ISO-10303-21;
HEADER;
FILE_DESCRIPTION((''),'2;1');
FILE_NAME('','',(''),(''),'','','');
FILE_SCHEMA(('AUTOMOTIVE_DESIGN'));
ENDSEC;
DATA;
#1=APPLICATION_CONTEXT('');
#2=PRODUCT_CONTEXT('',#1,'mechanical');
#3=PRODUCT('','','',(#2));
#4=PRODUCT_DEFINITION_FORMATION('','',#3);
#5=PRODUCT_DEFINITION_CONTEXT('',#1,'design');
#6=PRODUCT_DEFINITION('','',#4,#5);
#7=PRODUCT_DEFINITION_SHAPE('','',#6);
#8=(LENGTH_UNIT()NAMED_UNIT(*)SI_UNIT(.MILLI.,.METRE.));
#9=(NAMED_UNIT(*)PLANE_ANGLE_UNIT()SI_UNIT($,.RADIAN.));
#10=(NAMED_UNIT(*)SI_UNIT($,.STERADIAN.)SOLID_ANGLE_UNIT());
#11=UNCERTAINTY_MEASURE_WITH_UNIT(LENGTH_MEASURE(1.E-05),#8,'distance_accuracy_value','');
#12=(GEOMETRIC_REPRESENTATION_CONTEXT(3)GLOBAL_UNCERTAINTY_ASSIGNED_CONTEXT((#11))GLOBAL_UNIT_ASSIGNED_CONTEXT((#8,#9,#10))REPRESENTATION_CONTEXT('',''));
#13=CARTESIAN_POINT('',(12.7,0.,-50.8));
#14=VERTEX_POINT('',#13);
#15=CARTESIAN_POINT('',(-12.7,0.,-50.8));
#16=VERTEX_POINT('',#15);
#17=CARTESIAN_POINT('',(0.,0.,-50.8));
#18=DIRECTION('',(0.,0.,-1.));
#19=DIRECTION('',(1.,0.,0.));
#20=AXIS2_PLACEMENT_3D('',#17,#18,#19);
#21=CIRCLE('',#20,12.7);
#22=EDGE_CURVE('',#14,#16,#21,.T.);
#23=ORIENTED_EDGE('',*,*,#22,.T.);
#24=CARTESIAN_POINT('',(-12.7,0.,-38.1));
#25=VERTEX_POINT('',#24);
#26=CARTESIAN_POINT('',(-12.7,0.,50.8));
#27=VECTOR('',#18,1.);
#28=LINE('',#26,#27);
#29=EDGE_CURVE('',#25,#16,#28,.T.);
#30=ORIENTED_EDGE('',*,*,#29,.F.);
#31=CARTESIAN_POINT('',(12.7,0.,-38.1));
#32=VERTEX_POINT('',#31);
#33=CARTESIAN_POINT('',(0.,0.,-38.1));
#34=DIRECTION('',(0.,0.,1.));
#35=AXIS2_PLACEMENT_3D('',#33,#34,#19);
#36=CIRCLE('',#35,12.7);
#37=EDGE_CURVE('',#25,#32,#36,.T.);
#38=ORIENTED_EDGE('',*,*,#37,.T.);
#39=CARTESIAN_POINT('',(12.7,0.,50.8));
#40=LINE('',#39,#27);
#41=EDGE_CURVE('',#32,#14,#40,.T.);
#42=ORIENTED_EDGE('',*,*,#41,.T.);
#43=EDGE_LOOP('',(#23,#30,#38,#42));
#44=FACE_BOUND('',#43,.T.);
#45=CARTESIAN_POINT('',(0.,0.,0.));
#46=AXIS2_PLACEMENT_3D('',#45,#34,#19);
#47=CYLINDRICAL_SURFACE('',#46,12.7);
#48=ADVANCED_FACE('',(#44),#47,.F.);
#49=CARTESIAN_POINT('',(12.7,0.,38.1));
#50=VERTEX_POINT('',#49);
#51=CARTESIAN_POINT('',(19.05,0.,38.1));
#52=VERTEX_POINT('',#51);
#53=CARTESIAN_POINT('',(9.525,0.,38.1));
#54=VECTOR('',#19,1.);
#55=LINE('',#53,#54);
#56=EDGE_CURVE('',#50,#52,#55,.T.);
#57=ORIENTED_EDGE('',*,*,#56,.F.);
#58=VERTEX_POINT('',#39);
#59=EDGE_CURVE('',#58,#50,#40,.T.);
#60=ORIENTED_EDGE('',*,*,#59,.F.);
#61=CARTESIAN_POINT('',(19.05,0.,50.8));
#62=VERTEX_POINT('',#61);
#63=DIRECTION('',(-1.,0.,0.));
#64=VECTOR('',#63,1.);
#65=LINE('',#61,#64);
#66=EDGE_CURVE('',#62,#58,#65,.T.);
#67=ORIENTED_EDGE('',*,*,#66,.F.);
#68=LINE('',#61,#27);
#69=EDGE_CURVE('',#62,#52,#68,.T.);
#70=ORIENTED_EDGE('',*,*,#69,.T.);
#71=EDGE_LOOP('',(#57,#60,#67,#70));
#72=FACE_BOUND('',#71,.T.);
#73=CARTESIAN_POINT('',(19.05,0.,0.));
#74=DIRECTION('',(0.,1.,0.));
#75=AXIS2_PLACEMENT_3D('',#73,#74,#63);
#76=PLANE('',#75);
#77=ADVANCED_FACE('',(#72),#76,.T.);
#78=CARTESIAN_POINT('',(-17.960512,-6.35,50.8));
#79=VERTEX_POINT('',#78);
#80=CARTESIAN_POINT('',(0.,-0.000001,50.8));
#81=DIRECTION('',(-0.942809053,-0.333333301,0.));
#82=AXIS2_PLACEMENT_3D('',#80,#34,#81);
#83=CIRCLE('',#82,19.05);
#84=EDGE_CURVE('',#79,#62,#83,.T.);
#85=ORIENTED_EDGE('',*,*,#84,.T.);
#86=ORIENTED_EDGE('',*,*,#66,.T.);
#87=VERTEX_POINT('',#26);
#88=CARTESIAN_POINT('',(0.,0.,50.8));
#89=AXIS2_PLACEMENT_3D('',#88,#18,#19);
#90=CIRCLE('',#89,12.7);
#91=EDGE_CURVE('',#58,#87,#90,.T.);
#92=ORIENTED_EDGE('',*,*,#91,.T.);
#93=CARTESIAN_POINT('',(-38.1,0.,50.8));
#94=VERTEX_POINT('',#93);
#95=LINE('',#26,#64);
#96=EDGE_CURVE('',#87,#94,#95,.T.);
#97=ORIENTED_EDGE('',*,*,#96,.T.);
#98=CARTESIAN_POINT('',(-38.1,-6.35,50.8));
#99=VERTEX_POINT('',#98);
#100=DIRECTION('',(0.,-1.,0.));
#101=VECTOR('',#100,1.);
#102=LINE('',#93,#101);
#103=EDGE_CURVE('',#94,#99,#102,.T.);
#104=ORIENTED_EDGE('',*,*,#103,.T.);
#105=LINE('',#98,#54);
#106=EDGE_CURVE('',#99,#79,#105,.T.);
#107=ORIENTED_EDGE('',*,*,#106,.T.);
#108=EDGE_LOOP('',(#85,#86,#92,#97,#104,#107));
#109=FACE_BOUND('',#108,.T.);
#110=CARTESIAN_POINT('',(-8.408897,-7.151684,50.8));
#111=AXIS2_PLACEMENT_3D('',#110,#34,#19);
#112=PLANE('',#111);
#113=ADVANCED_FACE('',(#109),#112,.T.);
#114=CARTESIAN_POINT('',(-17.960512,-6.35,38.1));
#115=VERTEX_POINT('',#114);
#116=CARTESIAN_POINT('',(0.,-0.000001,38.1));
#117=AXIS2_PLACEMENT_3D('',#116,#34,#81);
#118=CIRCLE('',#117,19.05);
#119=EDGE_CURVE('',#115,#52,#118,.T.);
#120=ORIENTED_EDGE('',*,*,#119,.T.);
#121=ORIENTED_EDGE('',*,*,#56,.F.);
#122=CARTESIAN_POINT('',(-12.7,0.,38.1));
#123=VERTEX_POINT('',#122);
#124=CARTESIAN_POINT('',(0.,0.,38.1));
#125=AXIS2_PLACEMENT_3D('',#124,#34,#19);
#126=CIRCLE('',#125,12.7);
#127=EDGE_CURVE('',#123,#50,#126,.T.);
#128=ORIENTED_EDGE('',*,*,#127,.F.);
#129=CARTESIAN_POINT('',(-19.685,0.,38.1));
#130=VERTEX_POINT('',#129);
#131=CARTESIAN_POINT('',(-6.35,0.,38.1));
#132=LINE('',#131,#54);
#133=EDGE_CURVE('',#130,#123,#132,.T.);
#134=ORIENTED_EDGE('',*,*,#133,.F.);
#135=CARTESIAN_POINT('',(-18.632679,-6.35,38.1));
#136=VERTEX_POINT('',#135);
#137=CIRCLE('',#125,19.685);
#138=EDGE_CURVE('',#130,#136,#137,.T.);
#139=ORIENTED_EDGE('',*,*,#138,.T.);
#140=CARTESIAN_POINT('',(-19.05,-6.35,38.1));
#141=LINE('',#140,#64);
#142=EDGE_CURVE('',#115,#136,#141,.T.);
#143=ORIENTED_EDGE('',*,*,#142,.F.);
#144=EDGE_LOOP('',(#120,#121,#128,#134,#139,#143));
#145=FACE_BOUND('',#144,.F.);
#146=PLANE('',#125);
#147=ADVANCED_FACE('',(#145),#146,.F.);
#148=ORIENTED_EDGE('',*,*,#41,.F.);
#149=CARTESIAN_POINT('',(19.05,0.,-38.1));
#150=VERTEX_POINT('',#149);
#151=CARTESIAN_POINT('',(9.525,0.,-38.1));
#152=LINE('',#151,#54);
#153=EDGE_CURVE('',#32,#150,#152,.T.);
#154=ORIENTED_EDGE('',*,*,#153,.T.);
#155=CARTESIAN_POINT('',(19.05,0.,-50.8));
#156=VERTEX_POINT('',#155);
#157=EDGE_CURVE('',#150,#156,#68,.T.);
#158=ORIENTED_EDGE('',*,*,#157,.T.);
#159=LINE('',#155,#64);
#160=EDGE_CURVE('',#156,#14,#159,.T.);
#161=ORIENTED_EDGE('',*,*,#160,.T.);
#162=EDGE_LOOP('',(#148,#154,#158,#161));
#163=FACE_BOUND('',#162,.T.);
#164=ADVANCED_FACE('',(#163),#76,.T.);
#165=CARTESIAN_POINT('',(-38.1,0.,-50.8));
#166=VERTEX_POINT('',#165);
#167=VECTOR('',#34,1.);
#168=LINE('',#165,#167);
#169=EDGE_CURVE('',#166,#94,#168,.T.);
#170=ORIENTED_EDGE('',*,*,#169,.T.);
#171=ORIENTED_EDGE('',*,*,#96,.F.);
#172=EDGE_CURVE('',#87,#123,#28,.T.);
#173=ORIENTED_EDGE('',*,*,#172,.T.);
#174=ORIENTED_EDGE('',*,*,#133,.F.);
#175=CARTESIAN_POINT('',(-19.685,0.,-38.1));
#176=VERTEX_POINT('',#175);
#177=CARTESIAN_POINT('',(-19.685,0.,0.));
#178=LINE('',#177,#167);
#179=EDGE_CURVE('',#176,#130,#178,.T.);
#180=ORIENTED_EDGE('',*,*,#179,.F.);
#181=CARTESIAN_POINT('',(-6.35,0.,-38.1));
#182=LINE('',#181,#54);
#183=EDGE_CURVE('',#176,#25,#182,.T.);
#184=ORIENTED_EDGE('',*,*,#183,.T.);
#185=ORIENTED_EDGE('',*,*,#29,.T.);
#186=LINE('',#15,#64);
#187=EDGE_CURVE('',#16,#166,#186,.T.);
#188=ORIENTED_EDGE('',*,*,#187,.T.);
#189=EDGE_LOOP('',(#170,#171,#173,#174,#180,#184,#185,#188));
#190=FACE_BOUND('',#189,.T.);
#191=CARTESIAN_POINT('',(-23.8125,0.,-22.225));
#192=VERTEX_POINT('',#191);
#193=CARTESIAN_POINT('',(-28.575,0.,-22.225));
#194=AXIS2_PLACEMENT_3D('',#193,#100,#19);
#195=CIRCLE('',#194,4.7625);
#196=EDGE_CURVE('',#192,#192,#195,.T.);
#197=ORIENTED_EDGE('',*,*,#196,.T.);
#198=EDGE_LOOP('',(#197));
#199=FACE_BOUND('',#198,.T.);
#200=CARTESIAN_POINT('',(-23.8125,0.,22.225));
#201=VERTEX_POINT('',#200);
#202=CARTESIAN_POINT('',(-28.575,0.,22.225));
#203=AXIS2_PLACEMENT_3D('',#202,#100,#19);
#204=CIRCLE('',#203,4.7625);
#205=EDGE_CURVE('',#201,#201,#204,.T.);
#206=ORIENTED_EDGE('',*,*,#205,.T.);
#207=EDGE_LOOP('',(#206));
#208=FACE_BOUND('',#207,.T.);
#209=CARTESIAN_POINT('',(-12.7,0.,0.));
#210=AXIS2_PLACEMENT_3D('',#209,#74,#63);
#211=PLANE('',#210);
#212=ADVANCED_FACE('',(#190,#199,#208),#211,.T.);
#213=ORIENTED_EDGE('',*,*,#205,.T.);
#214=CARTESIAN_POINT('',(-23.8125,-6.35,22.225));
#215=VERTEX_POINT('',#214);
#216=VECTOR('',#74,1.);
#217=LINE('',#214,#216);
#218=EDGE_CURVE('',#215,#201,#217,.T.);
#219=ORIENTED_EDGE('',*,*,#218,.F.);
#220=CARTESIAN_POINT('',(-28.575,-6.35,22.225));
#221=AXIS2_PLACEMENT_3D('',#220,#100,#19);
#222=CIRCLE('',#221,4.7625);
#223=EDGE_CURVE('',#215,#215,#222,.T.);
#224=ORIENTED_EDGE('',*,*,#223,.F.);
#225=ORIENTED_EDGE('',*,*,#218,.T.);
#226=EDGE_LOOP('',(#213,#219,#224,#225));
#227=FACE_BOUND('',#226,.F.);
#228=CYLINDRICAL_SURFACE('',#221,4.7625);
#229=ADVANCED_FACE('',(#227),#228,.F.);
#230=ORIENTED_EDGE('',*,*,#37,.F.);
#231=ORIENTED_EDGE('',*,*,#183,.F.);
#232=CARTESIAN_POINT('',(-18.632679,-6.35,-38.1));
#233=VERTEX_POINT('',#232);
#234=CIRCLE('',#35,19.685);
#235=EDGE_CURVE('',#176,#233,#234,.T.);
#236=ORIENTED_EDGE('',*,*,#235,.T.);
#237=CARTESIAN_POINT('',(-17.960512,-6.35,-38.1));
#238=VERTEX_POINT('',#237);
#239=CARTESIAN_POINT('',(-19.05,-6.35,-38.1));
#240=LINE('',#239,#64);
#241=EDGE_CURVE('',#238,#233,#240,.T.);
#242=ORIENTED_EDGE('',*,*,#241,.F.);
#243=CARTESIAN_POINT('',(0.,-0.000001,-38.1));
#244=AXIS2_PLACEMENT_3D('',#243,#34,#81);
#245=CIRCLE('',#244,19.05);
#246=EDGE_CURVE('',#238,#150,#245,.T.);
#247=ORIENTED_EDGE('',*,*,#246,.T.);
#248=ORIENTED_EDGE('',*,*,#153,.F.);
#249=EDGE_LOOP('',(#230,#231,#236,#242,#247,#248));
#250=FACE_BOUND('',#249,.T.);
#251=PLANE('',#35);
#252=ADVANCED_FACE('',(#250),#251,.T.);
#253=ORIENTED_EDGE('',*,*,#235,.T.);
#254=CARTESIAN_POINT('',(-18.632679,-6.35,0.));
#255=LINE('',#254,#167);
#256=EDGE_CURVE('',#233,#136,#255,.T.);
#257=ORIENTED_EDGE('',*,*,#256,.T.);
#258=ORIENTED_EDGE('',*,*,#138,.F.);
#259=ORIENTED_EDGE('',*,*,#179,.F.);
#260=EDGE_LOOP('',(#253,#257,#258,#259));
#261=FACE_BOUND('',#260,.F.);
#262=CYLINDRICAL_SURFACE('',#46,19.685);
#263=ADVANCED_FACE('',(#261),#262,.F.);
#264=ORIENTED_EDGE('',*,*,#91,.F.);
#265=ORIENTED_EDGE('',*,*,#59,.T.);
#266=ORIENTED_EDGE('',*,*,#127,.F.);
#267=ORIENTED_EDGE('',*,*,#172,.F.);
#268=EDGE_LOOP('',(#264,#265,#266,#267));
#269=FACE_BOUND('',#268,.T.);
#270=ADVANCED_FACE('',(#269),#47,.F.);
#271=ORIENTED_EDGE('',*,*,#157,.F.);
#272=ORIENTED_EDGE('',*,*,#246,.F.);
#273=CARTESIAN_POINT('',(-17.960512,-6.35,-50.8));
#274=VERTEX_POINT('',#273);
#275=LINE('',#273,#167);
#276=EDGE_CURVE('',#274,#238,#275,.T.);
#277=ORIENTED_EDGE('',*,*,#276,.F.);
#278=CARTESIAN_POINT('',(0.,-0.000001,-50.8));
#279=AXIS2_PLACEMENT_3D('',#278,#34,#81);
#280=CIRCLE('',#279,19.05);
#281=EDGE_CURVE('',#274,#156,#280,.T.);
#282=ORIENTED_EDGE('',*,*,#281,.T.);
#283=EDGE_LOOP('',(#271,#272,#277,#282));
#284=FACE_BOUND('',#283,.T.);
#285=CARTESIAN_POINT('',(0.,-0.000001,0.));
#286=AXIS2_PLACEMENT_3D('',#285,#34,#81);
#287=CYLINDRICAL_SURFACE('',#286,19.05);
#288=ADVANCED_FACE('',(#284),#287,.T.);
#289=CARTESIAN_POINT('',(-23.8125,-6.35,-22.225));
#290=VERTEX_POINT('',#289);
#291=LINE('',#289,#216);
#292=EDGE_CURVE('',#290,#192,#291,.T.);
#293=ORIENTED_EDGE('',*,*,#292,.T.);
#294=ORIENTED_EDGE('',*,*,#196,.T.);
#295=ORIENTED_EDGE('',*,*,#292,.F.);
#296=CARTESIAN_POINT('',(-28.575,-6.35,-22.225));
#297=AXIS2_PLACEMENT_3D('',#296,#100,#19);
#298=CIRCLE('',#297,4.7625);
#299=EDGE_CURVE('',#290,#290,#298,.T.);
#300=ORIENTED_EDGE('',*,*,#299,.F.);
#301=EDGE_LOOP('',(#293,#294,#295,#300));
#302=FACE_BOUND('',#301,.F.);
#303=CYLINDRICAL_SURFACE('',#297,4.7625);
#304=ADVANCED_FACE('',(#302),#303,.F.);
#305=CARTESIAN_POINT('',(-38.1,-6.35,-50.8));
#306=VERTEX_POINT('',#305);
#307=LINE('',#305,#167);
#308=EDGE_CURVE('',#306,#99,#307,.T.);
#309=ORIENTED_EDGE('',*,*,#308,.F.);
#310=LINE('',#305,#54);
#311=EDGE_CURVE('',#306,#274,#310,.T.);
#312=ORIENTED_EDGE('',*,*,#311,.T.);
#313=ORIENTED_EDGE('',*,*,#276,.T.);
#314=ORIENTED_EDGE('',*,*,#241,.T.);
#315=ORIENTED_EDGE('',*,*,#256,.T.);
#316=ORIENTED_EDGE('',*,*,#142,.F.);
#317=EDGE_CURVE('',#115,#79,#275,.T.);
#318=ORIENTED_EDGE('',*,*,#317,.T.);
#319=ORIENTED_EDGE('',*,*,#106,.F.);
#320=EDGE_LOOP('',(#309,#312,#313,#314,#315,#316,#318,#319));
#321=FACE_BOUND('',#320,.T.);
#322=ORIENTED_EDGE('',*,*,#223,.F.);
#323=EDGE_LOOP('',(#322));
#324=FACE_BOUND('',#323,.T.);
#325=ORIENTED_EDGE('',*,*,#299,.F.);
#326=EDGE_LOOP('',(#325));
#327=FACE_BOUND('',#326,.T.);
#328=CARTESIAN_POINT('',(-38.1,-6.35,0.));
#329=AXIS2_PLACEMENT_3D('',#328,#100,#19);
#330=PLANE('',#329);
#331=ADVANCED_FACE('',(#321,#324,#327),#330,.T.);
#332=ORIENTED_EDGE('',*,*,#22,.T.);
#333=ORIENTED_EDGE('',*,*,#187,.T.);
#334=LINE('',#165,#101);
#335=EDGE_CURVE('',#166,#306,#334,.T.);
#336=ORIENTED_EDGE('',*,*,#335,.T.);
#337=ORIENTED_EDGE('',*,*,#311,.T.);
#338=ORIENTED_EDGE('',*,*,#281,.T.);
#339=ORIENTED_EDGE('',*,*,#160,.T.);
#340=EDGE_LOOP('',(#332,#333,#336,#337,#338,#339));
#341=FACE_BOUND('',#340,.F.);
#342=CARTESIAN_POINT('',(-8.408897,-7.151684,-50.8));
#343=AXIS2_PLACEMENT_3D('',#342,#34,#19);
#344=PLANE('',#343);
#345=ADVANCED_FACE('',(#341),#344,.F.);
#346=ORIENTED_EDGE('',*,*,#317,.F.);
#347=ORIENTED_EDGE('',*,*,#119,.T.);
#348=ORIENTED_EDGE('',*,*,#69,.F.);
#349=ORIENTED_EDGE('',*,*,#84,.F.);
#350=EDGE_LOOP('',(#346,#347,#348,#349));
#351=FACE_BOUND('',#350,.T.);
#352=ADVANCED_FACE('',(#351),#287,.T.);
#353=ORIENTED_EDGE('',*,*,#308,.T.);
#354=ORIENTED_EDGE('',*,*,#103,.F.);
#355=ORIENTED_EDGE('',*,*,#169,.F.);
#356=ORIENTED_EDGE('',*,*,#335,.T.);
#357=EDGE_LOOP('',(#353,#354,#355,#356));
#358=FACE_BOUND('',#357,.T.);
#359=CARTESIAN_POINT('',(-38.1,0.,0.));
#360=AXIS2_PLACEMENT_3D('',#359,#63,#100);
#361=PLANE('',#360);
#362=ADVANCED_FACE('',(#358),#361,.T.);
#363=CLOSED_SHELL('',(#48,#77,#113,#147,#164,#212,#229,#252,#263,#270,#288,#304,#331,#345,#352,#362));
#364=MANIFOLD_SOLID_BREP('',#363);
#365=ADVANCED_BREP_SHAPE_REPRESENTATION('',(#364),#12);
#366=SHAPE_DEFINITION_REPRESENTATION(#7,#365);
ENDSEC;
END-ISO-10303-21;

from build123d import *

# Parameters (mm, degrees)
F1_DEPTH = 50.8
F2_R     = 19.685
F3_DEPTH = 38.1
F4_R     = 4.7625
F5_DEPTH = 12.7


with BuildPart() as f1:
    # F0 (on Top) → F1 (new body, symmetric)
    with BuildSketch(Plane.XY):
        with BuildLine():
            Line((-12.7, 0), (-38.1, 0))
            Line((-38.1, 0), (-38.1, -6.35))
            Line((-38.1, -6.35), (-17.960512, -6.35))
            ThreePointArc((-17.960512, -6.35), (3.221393, -18.775653), (19.05, 0))
            Line((19.05, 0), (12.7, 0))
            ThreePointArc((12.7, 0), (0, -12.7), (-12.7, 0))
        make_face()
    extrude(amount=F1_DEPTH, both=True)

    # F2 (on Top) → F3 (cut, symmetric)
    with BuildSketch(Plane.XY):
        Circle(F2_R)
    extrude(amount=F3_DEPTH, both=True, mode=Mode.SUBTRACT)

    # F4 (on face) → F5 (cut)
    with BuildSketch(Plane.XZ.offset(6.35)):
        with Locations((-28.575, 22.225)):
            Circle(F4_R)
        with Locations((-28.575, -22.225)):
            Circle(F4_R)
    extrude(amount=-F5_DEPTH, mode=Mode.SUBTRACT)


solid = f1.part
